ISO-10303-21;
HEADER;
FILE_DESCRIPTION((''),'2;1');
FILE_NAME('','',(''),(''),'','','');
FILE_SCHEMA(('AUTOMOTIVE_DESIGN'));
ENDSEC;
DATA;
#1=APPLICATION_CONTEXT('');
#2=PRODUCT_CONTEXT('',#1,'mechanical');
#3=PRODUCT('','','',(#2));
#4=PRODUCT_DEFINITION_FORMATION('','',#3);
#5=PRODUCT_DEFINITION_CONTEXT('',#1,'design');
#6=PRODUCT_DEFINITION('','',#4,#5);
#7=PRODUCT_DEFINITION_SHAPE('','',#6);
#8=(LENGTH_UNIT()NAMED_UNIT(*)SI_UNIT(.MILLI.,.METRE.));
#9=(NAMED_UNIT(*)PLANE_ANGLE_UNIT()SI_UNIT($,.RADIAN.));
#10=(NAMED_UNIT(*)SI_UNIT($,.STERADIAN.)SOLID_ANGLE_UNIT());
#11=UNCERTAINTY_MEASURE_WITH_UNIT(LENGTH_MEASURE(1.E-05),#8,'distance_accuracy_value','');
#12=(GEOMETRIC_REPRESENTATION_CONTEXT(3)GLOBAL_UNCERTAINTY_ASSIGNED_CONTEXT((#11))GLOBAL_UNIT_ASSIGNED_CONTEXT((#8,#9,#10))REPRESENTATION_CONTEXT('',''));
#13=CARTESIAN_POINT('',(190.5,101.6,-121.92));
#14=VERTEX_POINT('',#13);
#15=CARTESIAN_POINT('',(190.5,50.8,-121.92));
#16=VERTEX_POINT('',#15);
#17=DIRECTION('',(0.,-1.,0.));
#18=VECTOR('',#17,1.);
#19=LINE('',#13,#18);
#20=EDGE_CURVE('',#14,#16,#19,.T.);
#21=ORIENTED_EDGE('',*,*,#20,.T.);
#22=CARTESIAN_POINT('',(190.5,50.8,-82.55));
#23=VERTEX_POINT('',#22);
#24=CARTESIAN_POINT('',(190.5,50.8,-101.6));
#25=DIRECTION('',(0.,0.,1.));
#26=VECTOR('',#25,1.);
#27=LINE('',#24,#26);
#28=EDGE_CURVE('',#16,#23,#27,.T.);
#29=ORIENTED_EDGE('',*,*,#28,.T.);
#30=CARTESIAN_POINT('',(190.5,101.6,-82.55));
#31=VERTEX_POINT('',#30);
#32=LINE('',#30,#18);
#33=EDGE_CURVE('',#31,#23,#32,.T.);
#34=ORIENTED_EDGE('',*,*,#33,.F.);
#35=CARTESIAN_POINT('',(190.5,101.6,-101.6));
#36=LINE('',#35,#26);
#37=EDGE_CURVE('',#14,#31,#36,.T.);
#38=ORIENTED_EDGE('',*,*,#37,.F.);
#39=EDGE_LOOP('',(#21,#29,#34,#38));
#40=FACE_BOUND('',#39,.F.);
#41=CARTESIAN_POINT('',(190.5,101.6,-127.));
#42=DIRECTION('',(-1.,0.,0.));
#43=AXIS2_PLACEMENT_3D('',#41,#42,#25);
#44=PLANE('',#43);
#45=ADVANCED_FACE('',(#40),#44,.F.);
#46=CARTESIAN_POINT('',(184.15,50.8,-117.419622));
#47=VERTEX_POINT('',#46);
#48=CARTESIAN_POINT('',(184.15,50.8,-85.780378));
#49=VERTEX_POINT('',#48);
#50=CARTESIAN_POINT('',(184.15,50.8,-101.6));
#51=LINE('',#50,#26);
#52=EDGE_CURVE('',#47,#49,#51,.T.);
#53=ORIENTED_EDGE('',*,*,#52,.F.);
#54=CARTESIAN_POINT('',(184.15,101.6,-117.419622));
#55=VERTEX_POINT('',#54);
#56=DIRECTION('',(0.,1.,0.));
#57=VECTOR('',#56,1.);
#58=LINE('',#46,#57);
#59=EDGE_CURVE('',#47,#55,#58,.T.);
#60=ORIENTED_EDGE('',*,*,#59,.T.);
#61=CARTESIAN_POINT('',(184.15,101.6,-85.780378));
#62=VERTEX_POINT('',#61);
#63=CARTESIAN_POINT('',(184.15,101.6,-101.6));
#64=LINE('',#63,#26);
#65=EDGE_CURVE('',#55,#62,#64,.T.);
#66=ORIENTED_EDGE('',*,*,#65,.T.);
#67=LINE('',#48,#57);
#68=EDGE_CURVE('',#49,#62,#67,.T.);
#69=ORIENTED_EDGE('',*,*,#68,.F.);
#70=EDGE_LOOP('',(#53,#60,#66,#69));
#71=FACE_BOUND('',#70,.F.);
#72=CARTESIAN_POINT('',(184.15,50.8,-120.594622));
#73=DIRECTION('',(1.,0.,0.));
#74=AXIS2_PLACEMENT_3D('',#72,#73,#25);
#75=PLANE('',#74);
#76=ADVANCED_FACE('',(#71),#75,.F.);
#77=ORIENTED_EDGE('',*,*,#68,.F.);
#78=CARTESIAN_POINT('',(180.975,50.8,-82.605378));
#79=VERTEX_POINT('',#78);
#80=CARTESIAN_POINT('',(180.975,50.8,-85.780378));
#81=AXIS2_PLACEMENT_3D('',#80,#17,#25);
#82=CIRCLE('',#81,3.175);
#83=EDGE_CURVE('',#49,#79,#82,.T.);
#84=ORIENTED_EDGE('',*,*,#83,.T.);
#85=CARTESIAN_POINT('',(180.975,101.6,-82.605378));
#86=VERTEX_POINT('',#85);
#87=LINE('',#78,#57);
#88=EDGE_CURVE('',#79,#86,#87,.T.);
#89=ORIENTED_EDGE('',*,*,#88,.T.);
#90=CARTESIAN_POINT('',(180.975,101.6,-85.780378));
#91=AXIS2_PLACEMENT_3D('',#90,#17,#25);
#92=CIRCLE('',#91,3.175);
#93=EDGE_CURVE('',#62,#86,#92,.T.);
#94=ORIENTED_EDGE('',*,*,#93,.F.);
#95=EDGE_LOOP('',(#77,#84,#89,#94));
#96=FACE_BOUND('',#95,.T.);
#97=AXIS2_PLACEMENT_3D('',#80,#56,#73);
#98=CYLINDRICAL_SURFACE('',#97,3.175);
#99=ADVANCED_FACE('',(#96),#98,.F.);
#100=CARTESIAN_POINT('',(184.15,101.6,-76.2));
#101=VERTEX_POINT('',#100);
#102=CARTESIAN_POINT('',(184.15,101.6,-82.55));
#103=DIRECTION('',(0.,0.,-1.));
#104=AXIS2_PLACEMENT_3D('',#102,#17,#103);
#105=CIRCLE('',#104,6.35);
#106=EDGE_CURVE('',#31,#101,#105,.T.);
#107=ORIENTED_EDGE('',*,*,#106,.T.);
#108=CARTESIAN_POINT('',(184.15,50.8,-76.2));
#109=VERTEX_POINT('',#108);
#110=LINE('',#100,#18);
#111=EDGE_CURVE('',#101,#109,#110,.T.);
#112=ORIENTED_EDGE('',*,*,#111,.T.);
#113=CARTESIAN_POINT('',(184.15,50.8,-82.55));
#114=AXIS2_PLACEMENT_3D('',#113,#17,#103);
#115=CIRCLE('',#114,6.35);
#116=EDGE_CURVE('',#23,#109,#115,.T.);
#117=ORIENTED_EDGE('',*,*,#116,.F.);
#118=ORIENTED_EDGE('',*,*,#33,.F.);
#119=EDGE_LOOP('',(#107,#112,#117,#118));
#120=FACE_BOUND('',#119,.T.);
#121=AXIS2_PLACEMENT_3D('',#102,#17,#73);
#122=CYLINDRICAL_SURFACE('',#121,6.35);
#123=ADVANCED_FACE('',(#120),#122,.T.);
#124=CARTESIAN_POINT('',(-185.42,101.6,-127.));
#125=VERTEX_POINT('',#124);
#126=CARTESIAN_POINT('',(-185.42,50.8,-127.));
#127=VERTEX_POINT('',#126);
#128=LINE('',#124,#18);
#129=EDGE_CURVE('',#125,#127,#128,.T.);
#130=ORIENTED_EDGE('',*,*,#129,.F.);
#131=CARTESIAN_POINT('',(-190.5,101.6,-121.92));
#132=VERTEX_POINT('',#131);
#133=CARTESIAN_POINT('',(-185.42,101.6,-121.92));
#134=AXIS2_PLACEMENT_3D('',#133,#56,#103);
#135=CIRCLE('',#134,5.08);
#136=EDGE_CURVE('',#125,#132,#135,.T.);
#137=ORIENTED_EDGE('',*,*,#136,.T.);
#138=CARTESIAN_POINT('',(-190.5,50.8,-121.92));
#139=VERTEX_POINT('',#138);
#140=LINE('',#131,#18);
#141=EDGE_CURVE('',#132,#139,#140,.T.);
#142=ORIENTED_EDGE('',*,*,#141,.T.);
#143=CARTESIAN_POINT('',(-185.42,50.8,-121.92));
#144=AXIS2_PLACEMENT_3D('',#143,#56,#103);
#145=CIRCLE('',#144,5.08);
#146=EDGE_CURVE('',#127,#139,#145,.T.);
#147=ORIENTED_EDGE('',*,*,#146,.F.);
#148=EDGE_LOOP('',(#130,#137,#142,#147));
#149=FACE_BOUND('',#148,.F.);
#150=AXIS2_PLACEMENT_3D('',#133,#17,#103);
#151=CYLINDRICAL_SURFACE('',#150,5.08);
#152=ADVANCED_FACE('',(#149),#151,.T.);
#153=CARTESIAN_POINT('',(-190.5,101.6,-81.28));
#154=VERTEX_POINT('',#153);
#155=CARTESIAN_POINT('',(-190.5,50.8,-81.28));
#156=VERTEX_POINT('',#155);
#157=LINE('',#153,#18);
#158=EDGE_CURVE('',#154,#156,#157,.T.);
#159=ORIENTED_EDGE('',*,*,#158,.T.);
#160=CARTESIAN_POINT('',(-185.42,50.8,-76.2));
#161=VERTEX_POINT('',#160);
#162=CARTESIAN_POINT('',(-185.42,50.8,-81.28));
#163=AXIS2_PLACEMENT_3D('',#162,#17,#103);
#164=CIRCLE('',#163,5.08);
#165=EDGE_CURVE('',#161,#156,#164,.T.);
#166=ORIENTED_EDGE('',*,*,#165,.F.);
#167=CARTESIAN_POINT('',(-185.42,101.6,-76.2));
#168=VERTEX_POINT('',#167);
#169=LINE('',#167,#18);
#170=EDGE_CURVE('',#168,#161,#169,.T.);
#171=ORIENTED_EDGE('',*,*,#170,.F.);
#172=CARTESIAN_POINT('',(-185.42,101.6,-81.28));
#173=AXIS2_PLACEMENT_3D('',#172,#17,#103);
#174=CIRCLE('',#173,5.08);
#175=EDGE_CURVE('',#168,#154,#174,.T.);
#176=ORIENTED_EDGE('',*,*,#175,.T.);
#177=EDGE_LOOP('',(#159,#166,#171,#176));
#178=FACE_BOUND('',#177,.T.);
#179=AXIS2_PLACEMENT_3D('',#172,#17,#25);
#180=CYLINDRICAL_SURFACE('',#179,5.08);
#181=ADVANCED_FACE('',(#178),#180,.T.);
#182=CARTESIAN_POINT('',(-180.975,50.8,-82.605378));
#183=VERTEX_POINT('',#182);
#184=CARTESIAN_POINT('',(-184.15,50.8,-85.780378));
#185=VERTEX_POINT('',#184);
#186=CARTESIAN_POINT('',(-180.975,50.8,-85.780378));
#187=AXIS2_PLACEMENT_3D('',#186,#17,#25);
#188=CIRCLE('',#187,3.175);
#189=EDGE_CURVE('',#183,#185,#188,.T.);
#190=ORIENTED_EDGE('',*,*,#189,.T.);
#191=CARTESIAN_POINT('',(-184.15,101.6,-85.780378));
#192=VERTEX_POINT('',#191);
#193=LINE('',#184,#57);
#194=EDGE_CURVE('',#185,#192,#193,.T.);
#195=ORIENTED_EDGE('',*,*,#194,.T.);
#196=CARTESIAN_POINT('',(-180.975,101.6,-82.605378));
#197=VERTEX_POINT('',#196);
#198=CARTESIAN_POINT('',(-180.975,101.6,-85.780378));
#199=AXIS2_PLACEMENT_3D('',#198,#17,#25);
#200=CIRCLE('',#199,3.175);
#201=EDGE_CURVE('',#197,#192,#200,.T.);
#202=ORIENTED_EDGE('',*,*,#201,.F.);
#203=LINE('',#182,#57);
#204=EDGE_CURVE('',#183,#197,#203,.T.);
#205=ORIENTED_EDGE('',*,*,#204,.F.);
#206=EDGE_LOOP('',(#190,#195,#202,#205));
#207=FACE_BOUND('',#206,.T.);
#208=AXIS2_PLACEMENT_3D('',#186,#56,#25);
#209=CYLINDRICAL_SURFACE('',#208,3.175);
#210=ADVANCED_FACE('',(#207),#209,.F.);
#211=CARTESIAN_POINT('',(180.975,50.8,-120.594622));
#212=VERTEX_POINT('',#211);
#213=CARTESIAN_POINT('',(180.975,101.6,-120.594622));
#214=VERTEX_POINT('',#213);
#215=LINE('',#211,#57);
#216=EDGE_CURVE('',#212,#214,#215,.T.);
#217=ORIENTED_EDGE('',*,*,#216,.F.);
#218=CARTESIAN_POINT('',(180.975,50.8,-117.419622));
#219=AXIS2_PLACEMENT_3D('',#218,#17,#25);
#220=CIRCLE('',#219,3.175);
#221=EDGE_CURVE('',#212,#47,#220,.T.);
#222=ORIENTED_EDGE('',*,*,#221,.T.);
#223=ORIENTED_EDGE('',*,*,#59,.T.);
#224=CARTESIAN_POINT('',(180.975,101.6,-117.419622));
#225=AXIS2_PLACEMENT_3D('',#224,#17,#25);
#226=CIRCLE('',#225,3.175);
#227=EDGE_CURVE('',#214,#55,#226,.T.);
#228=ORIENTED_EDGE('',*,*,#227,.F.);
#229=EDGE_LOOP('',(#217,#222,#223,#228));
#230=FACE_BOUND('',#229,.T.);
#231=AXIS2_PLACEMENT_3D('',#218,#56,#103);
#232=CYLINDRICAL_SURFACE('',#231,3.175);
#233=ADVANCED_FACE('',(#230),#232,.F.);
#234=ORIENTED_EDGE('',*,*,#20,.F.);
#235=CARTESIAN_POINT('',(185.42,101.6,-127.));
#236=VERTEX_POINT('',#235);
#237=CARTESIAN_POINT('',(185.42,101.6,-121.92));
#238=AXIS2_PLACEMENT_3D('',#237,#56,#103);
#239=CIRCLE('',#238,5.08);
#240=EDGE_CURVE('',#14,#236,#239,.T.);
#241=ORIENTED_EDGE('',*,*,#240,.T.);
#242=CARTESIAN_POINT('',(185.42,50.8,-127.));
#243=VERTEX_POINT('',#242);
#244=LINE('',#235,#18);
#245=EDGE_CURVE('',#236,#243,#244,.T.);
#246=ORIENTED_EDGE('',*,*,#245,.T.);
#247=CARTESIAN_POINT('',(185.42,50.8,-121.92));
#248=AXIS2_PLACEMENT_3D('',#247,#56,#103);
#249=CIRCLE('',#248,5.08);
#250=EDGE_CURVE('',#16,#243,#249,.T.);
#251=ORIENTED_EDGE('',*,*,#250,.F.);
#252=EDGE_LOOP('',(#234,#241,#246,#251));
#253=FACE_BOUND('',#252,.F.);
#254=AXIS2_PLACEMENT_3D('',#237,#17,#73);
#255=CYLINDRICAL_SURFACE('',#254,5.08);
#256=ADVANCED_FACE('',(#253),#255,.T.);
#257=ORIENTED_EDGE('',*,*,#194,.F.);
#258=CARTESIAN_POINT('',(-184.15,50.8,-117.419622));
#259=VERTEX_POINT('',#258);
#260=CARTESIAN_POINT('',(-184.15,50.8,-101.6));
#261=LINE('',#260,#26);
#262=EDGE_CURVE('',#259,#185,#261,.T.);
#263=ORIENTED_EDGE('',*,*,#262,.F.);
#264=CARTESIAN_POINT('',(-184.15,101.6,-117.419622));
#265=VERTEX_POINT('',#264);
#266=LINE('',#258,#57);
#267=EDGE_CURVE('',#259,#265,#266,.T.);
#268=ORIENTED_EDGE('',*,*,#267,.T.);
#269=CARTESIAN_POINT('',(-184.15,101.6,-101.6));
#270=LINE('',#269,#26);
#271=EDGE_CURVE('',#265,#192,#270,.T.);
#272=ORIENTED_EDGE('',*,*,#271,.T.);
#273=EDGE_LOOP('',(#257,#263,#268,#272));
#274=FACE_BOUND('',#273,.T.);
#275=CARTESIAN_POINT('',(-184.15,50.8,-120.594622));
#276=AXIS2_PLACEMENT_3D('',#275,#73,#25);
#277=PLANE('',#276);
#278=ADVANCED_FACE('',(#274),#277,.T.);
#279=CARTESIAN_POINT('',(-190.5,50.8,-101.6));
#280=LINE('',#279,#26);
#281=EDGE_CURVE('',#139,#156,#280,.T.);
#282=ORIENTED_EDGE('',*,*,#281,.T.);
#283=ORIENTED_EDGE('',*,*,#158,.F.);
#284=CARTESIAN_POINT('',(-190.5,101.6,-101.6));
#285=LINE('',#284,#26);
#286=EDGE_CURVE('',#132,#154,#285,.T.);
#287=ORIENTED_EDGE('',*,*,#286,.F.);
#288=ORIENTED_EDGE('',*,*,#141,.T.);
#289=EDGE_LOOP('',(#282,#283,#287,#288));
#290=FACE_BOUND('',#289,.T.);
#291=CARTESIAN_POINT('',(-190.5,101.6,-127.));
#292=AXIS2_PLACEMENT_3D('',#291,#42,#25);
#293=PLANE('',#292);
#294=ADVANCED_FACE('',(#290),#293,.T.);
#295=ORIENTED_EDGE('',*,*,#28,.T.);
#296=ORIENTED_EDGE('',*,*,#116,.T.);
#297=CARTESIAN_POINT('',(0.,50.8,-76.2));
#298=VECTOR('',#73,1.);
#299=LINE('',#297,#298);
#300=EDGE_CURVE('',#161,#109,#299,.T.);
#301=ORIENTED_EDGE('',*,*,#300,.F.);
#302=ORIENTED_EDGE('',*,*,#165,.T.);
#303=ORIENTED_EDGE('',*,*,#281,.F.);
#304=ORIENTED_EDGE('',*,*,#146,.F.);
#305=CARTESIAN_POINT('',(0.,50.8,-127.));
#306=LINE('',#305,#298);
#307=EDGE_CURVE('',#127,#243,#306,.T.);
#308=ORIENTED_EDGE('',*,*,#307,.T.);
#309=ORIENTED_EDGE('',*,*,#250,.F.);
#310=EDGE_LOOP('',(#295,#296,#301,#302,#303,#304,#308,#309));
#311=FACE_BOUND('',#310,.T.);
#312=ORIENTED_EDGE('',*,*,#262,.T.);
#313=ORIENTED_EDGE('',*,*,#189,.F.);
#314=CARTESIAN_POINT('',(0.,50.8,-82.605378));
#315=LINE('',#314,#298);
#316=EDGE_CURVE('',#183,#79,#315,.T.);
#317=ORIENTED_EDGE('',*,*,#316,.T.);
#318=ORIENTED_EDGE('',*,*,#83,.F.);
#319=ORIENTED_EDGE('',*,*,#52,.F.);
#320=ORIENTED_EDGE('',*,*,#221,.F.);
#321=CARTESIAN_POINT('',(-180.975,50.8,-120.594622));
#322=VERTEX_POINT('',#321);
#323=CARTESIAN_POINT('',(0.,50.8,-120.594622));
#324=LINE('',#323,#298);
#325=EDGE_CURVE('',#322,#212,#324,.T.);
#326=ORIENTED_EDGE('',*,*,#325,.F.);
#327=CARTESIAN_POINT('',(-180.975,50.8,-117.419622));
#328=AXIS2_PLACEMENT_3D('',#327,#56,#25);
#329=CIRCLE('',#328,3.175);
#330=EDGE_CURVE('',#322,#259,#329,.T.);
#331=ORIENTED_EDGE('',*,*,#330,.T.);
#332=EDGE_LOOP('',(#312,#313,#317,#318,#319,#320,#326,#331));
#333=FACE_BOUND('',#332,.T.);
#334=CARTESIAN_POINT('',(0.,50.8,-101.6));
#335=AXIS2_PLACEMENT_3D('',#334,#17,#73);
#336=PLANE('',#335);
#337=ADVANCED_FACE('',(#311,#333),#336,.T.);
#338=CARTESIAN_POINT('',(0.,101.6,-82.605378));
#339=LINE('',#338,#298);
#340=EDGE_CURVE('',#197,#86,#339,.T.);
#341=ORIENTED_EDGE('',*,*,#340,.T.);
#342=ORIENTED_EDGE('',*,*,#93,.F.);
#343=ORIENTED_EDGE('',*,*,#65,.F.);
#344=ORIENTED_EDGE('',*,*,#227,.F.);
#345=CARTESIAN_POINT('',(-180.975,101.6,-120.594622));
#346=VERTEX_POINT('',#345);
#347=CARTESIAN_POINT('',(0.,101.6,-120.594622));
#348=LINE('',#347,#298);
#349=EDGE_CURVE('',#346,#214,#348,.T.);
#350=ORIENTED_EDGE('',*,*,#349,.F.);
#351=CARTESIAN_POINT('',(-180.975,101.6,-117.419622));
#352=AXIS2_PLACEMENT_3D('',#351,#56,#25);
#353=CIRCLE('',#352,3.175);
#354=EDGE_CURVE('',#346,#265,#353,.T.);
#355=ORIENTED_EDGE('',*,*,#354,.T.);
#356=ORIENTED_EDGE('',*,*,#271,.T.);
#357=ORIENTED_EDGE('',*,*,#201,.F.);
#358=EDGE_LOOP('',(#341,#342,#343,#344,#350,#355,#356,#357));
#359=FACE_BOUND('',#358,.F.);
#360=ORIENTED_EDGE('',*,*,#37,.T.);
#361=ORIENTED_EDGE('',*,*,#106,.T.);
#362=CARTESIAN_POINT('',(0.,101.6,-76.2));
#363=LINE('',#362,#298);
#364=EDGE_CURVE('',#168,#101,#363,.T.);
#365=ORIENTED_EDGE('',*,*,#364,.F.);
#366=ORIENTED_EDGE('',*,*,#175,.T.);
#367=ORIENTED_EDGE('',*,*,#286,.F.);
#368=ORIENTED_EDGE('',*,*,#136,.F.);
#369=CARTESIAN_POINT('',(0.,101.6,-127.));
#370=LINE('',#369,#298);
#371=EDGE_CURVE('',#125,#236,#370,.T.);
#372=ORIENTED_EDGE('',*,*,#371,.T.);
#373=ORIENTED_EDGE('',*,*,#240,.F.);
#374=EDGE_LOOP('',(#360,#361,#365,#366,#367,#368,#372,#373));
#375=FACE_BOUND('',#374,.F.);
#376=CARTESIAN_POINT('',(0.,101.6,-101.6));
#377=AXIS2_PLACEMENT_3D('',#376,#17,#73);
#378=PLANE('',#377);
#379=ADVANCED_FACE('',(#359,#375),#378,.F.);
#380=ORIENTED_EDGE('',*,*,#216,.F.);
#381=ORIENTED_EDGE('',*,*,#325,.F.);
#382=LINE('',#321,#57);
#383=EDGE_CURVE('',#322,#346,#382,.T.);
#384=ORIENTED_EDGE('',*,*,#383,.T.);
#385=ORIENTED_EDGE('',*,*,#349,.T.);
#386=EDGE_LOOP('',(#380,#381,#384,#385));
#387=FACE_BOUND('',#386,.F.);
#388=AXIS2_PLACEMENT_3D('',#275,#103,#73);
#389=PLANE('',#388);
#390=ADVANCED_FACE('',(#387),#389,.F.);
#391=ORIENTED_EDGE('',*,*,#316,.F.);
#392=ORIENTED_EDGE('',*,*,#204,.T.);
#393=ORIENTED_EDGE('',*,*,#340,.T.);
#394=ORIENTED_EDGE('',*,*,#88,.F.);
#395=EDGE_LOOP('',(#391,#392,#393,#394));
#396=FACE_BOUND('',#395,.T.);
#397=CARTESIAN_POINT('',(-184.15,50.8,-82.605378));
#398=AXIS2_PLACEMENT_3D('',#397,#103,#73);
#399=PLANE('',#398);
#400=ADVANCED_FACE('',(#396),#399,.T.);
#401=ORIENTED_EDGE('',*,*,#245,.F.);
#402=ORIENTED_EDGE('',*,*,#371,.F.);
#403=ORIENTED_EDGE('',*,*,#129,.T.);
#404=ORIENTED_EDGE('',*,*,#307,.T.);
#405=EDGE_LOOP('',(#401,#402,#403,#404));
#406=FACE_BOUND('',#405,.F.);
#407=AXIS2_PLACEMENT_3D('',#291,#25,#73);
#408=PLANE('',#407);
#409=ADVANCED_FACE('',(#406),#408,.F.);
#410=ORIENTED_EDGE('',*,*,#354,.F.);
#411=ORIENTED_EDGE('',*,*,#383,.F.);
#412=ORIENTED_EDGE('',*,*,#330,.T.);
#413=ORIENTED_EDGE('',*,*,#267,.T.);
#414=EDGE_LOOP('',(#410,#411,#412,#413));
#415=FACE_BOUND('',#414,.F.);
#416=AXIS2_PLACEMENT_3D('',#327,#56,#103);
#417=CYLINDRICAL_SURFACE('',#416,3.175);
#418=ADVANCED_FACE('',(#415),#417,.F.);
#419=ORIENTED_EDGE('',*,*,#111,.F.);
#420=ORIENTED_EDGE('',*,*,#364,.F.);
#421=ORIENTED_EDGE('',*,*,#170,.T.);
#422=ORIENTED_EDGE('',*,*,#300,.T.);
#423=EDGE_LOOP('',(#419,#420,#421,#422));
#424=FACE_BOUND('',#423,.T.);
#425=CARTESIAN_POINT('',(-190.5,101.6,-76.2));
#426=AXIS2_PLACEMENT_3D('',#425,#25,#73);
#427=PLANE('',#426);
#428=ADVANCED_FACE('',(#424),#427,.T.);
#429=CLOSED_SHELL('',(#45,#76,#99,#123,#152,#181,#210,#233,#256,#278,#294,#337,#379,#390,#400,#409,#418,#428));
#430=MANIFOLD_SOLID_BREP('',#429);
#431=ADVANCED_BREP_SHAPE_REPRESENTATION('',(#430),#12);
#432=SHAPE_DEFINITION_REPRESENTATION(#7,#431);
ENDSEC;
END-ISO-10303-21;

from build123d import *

# Parameters (mm, degrees)
F0_W     = 381
F0_H     = 50.8
F1_DEPTH = 50.8
F2_R     = 6.35
F3_R     = 5.08
F5_W     = 368.3
F5_H     = 37.989244
F6_DEPTH = 50.8
F7_R     = 3.175


with BuildPart() as f1:
    # F0 (on Front) → F1 (new body)
    with BuildSketch(Plane.XZ):
        Rectangle(F0_W, F0_H)
    extrude(amount=F1_DEPTH)

    # F2
    f2_edges = [f1.edges().sort_by_distance(p)[0] for p in [
        (190.5, -25.4, 25.4),
    ]]
    fillet(f2_edges, radius=F2_R)

    # F3
    f3_edges = [f1.edges().sort_by_distance(p)[0] for p in [
        (190.5, -25.4, -25.4),
        (-190.5, -25.4, 25.4),
        (-190.5, -25.4, -25.4),
    ]]
    fillet(f3_edges, radius=F3_R)


with BuildPart() as f1_1:
    # F4: moved
    add(f1.part.moved(Location((0, 50.8, 0))))

    # F5 (on Front) → F6 (cut)
    with BuildSketch(Plane.XZ):
        Rectangle(F5_W, F5_H)
    extrude(amount=-F6_DEPTH, mode=Mode.SUBTRACT)

    # F7
    f7_edges = [f1_1.edges().sort_by_distance(p)[0] for p in [
        (184.15, 25.4, -18.994622),
        (184.15, 25.4, 18.994622),
        (-184.15, 25.4, 18.994622),
        (-184.15, 25.4, -18.994622),
    ]]
    fillet(f7_edges, radius=F7_R)


with BuildPart() as f1_2:
    # F8: moved
    add(f1_1.part.moved(Location((0, 50.8, 0))))


with BuildPart() as f1_3:
    # F9: moved
    add(f1_2.part.moved(Location((0, 0, -101.6))))


solid = f1_3.part
